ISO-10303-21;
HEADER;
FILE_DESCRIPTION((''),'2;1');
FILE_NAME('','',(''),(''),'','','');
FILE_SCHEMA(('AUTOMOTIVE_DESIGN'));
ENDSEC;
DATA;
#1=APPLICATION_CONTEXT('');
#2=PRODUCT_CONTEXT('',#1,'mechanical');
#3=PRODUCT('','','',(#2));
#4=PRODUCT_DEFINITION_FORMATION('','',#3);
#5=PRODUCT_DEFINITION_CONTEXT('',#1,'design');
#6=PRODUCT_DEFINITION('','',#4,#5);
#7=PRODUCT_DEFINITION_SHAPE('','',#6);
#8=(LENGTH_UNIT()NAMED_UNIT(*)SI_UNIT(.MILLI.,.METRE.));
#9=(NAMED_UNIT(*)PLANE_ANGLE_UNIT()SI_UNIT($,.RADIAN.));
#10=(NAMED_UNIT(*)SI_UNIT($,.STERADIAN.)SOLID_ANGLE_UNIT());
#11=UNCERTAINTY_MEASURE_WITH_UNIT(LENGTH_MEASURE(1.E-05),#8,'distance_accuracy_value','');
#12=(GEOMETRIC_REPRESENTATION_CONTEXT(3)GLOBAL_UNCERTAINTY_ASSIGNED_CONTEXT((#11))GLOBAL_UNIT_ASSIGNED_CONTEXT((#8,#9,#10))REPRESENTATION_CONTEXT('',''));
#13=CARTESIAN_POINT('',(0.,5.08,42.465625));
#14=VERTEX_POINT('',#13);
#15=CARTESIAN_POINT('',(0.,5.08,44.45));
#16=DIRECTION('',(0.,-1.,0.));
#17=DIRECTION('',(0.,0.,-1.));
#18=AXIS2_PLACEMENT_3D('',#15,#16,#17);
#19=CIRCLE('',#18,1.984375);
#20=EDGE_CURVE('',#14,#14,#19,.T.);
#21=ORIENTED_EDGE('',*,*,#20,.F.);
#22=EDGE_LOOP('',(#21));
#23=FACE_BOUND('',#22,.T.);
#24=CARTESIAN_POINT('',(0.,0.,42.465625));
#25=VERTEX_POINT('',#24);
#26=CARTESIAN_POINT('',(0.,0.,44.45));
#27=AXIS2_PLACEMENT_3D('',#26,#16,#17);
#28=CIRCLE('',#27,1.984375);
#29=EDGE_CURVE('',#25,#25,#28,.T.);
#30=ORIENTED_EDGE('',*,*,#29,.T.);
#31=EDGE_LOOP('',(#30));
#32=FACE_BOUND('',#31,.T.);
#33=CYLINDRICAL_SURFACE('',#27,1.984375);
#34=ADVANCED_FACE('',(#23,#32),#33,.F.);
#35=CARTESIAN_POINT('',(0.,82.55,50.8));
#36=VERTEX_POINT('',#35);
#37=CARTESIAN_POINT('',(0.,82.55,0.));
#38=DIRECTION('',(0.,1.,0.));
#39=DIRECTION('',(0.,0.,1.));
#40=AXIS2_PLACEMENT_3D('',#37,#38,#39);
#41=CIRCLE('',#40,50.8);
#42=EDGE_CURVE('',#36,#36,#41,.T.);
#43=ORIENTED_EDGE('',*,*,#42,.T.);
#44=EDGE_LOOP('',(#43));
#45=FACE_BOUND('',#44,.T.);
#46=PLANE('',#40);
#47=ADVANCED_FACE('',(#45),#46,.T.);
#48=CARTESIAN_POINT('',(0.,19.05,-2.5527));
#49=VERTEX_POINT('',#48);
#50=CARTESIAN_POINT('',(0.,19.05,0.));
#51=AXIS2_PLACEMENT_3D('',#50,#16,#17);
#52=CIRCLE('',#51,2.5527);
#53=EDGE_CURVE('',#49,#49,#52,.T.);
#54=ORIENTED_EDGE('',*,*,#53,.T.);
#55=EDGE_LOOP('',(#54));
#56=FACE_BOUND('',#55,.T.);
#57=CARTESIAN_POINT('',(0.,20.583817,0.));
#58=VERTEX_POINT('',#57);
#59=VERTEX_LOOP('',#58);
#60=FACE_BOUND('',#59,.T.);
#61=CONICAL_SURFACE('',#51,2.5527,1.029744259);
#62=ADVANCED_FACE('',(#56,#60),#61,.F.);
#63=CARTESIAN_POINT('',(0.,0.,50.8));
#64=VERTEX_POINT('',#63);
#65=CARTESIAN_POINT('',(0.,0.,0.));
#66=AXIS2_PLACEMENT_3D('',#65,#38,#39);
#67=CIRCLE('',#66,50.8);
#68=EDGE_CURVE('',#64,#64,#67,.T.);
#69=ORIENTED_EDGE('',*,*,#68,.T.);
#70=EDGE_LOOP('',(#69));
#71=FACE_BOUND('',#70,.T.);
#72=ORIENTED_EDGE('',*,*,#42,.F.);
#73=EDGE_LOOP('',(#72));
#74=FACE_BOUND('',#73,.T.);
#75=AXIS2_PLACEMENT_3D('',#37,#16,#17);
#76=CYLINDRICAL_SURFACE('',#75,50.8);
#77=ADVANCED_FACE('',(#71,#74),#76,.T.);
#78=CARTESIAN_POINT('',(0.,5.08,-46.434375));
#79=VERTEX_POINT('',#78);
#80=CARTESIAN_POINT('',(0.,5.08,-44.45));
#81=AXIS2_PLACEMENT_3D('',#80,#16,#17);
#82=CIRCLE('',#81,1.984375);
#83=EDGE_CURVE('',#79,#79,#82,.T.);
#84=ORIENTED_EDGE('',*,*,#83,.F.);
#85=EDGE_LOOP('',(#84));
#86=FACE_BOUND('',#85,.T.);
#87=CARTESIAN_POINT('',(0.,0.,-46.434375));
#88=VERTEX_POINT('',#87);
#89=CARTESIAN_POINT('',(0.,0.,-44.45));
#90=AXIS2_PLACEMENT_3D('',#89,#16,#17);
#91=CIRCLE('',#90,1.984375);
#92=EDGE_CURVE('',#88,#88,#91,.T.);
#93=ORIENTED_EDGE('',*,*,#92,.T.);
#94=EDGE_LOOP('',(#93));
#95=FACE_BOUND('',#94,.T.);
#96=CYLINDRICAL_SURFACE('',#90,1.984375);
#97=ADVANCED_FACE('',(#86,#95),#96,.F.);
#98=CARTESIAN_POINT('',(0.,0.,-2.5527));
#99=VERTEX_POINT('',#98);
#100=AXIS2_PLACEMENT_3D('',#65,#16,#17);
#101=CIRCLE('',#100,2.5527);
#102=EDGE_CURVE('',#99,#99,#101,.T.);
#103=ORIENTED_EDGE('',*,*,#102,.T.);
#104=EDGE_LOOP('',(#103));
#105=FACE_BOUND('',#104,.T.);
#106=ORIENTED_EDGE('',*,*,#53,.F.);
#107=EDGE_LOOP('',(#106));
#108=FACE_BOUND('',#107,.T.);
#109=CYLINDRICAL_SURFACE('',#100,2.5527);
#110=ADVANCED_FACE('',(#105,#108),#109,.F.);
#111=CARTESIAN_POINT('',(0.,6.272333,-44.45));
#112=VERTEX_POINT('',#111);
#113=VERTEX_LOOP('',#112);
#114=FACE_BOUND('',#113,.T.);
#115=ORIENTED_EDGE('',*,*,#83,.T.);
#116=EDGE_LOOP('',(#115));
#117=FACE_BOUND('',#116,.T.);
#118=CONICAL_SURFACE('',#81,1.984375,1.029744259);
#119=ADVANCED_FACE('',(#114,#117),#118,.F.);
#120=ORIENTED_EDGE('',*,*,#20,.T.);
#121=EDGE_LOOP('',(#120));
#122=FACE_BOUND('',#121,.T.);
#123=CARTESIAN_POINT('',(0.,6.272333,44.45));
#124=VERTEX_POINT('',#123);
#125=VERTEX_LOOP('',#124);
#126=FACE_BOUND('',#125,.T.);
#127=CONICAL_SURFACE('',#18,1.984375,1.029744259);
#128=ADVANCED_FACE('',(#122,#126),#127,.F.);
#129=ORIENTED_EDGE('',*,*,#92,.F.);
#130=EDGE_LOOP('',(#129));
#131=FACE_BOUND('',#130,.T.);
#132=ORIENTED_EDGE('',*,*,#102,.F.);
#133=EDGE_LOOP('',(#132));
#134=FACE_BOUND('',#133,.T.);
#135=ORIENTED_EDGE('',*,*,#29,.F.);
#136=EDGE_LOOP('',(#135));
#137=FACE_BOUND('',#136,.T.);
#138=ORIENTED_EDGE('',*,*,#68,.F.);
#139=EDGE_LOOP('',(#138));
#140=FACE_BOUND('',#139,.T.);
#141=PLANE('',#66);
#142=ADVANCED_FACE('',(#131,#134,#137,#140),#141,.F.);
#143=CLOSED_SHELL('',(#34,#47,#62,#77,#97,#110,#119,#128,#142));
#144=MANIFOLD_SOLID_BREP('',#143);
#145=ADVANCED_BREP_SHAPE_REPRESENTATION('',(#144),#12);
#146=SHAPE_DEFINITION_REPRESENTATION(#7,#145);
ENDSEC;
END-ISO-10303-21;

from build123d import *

# Parameters (mm, degrees)
SKETCH1_R                           = 50.8
BOSS_EXTRUDE1_DEPTH                 = 82.55
F_1_4_20_TAPPED_HOLE1_D             = 5.1054
F_1_4_20_TAPPED_HOLE1_DEPTH         = 19.05
F_1_4_20_TAPPED_HOLE1_TIP           = 1.533816902
F_5_32_0_15625_DIAMETER_HOLE1_D     = 3.96875
F_5_32_0_15625_DIAMETER_HOLE1_DEPTH = 5.08
F_5_32_0_15625_DIAMETER_HOLE1_TIP   = 1.192332791


with BuildPart() as part:
    # Sketch1 → Boss-Extrude1 (new body)
    with BuildSketch(Plane(origin=(0, 0, 0), x_dir=(1, 0, 0), z_dir=(0, 1, 0))):
        Circle(SKETCH1_R)
    extrude(amount=BOSS_EXTRUDE1_DEPTH)

    # 1/4-20 Tapped Hole1
    with Locations(Plane(origin=(0, 0, 0), x_dir=(-1, 0, 0), z_dir=(0, -1, 0))):
        with Locations((0, 0)):
            Hole(F_1_4_20_TAPPED_HOLE1_D / 2, depth=F_1_4_20_TAPPED_HOLE1_DEPTH)
            with Locations((0, 0, -(F_1_4_20_TAPPED_HOLE1_DEPTH + F_1_4_20_TAPPED_HOLE1_TIP / 2))):  # 118° drill point
                Cone(0, F_1_4_20_TAPPED_HOLE1_D / 2, F_1_4_20_TAPPED_HOLE1_TIP, mode=Mode.SUBTRACT)

    # 5/32 (0.15625) Diameter Hole1
    with Locations(Plane(origin=(0, 0, 0), x_dir=(-1, 0, 0), z_dir=(0, -1, 0))):
        with Locations((0, 44.45), (0, -44.45)):
            Hole(F_5_32_0_15625_DIAMETER_HOLE1_D / 2, depth=F_5_32_0_15625_DIAMETER_HOLE1_DEPTH)
            with Locations((0, 0, -(F_5_32_0_15625_DIAMETER_HOLE1_DEPTH + F_5_32_0_15625_DIAMETER_HOLE1_TIP / 2))):  # 118° drill point
                Cone(0, F_5_32_0_15625_DIAMETER_HOLE1_D / 2, F_5_32_0_15625_DIAMETER_HOLE1_TIP, mode=Mode.SUBTRACT)


solid = part.part
